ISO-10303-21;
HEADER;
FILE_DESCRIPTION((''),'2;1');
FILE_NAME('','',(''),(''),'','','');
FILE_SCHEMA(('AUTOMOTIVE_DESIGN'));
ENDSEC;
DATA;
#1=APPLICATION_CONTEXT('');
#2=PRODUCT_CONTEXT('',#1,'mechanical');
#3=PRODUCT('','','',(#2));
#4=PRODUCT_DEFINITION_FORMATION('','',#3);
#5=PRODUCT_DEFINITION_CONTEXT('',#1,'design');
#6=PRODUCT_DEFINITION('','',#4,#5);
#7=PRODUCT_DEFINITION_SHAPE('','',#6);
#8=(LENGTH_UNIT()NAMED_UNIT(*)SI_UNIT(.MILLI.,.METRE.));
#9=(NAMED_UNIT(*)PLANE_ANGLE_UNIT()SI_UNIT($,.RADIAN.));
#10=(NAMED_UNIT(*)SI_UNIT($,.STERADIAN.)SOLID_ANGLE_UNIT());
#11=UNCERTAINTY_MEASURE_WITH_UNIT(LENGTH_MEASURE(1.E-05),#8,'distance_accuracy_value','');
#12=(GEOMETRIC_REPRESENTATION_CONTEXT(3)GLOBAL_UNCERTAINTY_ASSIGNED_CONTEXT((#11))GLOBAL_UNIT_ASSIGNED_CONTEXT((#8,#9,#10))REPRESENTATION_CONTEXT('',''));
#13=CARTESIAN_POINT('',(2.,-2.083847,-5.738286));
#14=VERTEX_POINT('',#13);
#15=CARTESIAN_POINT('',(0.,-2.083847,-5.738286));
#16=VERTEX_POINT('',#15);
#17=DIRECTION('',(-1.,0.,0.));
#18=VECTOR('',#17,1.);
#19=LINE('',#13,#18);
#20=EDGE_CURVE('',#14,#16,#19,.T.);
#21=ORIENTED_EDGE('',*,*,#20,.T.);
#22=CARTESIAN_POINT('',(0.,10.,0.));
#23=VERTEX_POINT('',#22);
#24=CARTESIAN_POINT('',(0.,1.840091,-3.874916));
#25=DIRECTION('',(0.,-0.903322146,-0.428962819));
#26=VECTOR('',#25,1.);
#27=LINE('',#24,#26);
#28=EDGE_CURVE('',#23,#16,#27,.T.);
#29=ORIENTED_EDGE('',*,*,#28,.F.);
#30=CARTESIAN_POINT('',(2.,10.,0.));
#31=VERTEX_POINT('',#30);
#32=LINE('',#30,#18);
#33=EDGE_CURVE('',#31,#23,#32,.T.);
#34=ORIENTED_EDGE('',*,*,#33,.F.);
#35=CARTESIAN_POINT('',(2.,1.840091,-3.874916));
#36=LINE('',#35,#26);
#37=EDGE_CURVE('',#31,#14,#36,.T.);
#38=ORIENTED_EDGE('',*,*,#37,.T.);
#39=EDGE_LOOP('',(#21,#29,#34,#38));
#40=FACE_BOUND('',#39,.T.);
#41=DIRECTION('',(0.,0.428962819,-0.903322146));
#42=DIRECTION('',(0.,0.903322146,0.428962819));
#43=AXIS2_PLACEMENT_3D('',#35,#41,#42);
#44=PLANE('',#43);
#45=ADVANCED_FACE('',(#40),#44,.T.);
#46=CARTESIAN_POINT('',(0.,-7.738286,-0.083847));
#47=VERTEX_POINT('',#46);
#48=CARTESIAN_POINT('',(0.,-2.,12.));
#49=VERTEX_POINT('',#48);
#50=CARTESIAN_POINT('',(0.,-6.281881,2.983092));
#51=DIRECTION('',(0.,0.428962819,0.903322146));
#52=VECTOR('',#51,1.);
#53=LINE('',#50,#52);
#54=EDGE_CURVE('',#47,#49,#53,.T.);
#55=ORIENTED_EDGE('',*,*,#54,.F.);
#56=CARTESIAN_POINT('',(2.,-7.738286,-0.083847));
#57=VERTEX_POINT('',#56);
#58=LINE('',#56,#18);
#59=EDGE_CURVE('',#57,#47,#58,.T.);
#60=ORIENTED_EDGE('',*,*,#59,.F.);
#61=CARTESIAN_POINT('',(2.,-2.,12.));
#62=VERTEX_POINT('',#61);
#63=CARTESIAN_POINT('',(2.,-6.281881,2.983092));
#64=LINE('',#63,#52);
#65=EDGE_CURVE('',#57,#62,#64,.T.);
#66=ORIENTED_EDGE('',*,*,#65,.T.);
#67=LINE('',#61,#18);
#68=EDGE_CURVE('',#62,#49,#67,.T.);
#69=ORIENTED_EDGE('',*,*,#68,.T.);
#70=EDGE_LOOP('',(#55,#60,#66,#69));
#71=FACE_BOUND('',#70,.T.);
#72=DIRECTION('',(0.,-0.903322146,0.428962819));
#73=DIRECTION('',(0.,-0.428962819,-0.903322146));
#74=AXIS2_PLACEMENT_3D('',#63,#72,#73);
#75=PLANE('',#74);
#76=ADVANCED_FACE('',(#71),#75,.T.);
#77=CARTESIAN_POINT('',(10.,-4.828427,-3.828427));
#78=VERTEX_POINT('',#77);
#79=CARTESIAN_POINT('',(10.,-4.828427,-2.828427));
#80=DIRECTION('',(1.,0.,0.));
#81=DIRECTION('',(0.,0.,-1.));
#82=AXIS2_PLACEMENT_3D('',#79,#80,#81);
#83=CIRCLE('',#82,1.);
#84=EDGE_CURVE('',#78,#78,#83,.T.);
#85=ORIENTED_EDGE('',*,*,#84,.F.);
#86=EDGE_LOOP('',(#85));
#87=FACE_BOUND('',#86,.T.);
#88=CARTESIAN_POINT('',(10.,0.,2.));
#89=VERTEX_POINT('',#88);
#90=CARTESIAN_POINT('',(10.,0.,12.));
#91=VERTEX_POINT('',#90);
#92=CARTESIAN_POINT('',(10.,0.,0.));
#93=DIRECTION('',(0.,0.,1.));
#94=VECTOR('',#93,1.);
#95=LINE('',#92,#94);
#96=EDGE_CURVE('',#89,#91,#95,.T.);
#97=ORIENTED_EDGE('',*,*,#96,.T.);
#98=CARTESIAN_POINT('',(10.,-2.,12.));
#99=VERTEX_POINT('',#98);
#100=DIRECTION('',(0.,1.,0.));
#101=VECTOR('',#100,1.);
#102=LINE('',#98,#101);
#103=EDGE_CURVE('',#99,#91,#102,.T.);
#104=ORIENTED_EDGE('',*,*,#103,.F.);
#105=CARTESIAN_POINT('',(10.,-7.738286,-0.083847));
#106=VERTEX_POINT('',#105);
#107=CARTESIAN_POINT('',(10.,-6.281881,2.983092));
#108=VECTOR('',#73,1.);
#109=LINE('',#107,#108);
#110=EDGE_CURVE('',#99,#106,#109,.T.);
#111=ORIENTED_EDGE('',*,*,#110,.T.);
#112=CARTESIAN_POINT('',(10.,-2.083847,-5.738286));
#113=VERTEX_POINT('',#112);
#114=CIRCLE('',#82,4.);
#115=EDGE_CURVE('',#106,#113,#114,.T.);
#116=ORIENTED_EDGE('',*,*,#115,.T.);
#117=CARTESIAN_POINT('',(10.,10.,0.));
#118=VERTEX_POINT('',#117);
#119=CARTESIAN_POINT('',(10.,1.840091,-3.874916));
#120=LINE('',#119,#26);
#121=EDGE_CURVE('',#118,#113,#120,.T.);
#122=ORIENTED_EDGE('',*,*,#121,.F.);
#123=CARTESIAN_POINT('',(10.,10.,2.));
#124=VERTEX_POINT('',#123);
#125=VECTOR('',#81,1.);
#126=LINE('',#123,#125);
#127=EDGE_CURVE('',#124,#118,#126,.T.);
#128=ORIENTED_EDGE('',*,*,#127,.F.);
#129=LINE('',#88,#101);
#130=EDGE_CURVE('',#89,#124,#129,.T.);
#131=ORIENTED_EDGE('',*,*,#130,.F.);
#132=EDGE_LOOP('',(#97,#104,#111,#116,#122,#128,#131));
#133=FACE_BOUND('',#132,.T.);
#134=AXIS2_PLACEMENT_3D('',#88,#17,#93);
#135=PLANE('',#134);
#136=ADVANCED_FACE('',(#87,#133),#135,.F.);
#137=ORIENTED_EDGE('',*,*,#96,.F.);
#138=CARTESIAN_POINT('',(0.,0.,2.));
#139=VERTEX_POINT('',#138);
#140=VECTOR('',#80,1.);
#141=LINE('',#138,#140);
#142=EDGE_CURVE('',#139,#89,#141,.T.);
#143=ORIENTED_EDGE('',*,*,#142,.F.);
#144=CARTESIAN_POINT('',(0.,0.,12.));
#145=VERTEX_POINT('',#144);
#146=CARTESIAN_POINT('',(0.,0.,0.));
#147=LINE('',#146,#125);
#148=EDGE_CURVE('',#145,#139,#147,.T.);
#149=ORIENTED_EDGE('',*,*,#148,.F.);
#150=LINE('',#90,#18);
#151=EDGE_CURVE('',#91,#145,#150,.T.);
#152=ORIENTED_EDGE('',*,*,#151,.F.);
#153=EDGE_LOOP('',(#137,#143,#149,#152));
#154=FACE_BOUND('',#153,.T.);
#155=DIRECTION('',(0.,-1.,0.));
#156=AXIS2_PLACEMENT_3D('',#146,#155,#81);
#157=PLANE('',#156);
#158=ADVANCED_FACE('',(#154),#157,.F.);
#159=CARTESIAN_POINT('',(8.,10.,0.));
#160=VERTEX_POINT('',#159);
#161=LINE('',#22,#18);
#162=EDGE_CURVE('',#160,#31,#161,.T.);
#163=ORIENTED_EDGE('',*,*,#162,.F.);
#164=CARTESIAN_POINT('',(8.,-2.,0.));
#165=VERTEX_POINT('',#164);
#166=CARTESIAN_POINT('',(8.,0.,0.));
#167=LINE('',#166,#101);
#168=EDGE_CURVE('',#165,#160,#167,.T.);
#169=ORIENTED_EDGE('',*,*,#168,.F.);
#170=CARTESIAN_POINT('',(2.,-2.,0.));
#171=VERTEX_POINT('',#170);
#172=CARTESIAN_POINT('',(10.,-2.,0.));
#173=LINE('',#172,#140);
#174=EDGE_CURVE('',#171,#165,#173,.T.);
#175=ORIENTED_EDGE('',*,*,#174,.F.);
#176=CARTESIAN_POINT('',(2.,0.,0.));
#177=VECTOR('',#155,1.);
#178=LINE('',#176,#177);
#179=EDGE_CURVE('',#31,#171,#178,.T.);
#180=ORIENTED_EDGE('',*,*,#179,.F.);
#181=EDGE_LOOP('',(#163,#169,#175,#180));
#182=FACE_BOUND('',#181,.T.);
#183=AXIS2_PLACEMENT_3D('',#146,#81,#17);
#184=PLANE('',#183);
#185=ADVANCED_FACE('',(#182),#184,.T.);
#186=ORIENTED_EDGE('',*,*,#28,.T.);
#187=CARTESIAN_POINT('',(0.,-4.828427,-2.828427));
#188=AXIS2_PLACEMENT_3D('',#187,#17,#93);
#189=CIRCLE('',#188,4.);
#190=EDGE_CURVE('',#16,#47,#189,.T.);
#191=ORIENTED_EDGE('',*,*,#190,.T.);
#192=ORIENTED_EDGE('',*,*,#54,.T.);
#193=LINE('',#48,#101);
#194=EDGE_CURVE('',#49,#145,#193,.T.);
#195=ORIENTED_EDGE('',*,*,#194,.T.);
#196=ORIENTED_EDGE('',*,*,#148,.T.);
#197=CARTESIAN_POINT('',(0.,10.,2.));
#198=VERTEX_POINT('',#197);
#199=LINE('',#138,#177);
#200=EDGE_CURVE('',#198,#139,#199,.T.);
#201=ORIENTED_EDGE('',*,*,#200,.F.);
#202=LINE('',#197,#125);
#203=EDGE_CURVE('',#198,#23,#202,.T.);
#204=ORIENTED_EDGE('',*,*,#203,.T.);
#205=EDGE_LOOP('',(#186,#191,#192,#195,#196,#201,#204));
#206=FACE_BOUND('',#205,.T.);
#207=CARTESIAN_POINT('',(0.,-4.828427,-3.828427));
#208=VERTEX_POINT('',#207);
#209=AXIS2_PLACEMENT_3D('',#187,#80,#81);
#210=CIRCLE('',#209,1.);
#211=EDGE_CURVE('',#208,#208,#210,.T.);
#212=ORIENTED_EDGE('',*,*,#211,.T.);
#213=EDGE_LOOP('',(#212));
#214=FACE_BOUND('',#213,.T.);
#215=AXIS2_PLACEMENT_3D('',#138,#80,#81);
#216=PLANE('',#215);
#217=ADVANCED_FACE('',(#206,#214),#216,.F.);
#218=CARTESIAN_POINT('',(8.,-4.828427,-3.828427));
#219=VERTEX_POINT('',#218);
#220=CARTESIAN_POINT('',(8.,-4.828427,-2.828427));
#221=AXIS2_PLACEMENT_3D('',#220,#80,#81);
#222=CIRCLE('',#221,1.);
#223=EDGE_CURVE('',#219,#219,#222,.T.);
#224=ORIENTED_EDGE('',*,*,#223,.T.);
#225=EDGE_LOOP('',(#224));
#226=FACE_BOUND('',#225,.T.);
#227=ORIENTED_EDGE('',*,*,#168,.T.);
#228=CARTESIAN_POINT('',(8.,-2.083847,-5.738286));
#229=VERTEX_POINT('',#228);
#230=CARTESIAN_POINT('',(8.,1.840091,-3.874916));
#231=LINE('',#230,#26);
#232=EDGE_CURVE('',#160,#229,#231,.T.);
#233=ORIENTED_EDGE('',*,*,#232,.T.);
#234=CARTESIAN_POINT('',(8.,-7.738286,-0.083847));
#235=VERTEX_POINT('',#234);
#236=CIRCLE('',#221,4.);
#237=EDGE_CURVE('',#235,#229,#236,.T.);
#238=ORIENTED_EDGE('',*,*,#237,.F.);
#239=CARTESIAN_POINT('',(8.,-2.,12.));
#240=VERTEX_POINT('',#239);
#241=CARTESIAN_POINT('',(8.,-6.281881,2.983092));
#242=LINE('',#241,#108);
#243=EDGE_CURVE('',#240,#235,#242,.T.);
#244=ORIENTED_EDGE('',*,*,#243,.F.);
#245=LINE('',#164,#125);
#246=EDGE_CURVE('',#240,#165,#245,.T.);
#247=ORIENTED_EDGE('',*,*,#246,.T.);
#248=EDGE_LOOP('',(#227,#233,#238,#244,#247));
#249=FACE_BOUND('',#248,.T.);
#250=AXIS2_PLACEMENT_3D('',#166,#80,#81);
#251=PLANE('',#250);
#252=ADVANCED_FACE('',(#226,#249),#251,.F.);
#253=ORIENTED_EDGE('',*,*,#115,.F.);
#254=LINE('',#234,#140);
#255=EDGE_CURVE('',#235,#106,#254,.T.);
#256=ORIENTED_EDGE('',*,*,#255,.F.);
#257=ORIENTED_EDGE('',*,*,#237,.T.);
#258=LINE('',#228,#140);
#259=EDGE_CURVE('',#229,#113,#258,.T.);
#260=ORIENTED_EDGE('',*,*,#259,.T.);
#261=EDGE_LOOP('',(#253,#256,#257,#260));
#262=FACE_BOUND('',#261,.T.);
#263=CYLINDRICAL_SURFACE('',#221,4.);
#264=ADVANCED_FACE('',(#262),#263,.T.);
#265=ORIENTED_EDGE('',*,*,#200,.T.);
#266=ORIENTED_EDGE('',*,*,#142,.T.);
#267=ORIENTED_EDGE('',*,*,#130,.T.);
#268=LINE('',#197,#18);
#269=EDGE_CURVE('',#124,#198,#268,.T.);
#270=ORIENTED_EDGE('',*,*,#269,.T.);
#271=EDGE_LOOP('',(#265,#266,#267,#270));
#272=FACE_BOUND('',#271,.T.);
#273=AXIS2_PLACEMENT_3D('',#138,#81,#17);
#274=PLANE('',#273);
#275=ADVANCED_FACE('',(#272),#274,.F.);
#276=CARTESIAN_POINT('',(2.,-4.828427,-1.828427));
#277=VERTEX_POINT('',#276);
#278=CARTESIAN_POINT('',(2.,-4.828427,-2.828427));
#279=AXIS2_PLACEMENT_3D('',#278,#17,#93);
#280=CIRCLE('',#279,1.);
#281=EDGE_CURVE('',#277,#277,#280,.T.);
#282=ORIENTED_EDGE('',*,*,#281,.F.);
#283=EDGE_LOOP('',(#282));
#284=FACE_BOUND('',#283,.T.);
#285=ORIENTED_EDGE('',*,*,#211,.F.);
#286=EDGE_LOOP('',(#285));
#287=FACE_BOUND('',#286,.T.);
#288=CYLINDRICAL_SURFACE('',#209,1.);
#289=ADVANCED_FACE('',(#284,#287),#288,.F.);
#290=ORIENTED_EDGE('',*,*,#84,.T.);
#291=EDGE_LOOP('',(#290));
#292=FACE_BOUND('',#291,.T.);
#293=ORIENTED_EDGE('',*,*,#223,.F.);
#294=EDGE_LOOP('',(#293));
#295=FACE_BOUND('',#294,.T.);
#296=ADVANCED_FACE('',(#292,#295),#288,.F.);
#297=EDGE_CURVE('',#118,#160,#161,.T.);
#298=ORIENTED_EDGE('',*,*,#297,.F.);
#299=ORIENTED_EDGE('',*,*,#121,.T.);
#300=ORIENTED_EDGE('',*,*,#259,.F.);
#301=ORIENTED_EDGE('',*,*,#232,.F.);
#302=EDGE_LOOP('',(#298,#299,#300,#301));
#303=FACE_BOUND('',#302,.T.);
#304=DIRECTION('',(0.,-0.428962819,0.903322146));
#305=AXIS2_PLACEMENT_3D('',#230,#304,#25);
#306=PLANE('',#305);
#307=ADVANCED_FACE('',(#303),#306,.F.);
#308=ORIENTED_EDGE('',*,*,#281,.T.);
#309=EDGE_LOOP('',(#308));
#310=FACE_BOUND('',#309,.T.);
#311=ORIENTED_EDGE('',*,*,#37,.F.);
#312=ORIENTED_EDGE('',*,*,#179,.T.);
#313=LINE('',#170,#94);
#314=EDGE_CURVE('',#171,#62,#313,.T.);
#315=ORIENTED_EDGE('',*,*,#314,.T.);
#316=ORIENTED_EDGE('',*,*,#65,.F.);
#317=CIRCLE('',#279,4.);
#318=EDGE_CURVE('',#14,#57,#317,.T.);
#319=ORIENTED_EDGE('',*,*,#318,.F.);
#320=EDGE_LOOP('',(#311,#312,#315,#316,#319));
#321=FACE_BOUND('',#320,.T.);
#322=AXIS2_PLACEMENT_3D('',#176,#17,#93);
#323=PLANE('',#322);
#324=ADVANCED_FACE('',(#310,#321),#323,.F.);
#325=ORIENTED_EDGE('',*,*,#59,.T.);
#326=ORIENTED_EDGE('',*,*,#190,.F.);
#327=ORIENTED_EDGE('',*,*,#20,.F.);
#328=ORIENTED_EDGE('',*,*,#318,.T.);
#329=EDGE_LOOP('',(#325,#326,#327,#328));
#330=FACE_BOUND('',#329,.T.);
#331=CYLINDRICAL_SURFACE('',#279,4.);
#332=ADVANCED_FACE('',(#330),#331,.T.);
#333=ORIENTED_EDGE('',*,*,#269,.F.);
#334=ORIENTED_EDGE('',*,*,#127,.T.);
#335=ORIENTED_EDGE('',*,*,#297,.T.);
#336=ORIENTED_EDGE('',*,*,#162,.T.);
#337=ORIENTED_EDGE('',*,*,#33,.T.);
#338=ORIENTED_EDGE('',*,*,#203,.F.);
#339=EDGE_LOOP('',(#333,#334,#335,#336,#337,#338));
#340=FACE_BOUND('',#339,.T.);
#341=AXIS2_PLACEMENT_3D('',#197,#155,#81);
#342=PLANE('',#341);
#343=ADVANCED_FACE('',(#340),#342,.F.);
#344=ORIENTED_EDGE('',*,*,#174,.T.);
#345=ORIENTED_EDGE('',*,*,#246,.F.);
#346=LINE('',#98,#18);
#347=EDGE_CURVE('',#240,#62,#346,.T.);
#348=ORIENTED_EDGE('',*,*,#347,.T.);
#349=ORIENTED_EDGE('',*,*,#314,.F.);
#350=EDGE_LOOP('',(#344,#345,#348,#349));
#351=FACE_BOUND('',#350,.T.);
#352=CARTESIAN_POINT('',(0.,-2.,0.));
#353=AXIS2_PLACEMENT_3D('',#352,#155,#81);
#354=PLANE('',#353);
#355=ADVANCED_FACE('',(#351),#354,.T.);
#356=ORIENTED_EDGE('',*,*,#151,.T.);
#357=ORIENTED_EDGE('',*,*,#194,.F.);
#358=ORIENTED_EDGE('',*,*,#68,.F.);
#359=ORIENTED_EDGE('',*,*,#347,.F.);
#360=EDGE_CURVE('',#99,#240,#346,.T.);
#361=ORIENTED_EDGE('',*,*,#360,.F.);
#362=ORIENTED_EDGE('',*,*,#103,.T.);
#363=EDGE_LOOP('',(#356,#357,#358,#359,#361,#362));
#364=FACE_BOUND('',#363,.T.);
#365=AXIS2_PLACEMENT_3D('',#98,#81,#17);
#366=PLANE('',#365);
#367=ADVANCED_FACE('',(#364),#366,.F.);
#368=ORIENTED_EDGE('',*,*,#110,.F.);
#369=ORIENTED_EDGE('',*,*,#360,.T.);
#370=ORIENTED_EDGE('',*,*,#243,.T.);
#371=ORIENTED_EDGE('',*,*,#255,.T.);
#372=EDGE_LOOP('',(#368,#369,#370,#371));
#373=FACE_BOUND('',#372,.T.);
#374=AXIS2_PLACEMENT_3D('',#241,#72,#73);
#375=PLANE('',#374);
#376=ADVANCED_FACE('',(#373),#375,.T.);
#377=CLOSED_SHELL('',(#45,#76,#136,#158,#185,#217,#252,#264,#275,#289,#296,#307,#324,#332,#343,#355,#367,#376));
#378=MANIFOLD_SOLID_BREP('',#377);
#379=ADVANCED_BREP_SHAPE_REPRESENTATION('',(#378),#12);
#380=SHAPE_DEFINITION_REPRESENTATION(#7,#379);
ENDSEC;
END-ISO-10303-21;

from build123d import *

# Parameters (mm, degrees)
SKETCH_1_W          = 10
SKETCH_1_H          = 10
EXTRUDE_1_DEPTH     = 2
SKETCH_2_W          = 10
SKETCH_2_H          = 12
EXTRUDE_2_DEPTH     = 2
EXTRUDE_4_DEPTH     = 2
EXTRUDE_START       = -2
EXTRUDE_5_DEPTH     = 2
SKETCH_5_R          = 1
CUT_EXTRUDE_1_DEPTH = 10


with BuildPart() as part:
    # 草图1 → 凸台-拉伸1 (new body)
    with BuildSketch(Plane.XY):
        with Locations((5, 5)):
            Rectangle(SKETCH_1_W, SKETCH_1_H)
    extrude(amount=EXTRUDE_1_DEPTH)

    # 草图2 → 凸台-拉伸2 (add)
    with BuildSketch(Plane.XZ):
        with Locations((5, 6)):
            Rectangle(SKETCH_2_W, SKETCH_2_H)
    extrude(amount=EXTRUDE_2_DEPTH)

    # 草图3 → 凸台-拉伸4 (add)
    with BuildSketch(Plane(origin=(10, 0, 0), x_dir=(0, 0, -1), z_dir=(1, 0, 0))):
        with BuildLine():
            Line((0, -2), (-12, -2))
            Line((-12, -2), (0.083847107, -7.738286318))
            ThreePointArc((0.083847107, -7.738286318), (5.656854249, -7.656854249), (5.738286318, -2.083847107))
            Line((5.738286318, -2.083847107), (0, 10))
            Line((0, 10), (0, -2))
        make_face()
    extrude(amount=-EXTRUDE_4_DEPTH)

    # 草图4 → 凸台-拉伸5 (add)
    with BuildSketch(Plane.ZY.offset(EXTRUDE_START)):
        with BuildLine():
            Line((0, -2), (0, 10))
            Line((0, 10), (-5.738286318, -2.083847107))
            ThreePointArc((-5.738286318, -2.083847107), (-5.656854249, -7.656854249), (-0.083847107, -7.738286318))
            Line((-0.083847107, -7.738286318), (12, -2))
            Line((12, -2), (0, -2))
        make_face()
    extrude(amount=EXTRUDE_5_DEPTH)

    # 草图5 → 切除-拉伸1 (cut)
    with BuildSketch(Plane(origin=(10, 0, 0), x_dir=(0, 0, -1), z_dir=(1, 0, 0))):
        with Locations((2.828427125, -4.828427125)):
            Circle(SKETCH_5_R)
    extrude(amount=-CUT_EXTRUDE_1_DEPTH, mode=Mode.SUBTRACT)


solid = part.part
